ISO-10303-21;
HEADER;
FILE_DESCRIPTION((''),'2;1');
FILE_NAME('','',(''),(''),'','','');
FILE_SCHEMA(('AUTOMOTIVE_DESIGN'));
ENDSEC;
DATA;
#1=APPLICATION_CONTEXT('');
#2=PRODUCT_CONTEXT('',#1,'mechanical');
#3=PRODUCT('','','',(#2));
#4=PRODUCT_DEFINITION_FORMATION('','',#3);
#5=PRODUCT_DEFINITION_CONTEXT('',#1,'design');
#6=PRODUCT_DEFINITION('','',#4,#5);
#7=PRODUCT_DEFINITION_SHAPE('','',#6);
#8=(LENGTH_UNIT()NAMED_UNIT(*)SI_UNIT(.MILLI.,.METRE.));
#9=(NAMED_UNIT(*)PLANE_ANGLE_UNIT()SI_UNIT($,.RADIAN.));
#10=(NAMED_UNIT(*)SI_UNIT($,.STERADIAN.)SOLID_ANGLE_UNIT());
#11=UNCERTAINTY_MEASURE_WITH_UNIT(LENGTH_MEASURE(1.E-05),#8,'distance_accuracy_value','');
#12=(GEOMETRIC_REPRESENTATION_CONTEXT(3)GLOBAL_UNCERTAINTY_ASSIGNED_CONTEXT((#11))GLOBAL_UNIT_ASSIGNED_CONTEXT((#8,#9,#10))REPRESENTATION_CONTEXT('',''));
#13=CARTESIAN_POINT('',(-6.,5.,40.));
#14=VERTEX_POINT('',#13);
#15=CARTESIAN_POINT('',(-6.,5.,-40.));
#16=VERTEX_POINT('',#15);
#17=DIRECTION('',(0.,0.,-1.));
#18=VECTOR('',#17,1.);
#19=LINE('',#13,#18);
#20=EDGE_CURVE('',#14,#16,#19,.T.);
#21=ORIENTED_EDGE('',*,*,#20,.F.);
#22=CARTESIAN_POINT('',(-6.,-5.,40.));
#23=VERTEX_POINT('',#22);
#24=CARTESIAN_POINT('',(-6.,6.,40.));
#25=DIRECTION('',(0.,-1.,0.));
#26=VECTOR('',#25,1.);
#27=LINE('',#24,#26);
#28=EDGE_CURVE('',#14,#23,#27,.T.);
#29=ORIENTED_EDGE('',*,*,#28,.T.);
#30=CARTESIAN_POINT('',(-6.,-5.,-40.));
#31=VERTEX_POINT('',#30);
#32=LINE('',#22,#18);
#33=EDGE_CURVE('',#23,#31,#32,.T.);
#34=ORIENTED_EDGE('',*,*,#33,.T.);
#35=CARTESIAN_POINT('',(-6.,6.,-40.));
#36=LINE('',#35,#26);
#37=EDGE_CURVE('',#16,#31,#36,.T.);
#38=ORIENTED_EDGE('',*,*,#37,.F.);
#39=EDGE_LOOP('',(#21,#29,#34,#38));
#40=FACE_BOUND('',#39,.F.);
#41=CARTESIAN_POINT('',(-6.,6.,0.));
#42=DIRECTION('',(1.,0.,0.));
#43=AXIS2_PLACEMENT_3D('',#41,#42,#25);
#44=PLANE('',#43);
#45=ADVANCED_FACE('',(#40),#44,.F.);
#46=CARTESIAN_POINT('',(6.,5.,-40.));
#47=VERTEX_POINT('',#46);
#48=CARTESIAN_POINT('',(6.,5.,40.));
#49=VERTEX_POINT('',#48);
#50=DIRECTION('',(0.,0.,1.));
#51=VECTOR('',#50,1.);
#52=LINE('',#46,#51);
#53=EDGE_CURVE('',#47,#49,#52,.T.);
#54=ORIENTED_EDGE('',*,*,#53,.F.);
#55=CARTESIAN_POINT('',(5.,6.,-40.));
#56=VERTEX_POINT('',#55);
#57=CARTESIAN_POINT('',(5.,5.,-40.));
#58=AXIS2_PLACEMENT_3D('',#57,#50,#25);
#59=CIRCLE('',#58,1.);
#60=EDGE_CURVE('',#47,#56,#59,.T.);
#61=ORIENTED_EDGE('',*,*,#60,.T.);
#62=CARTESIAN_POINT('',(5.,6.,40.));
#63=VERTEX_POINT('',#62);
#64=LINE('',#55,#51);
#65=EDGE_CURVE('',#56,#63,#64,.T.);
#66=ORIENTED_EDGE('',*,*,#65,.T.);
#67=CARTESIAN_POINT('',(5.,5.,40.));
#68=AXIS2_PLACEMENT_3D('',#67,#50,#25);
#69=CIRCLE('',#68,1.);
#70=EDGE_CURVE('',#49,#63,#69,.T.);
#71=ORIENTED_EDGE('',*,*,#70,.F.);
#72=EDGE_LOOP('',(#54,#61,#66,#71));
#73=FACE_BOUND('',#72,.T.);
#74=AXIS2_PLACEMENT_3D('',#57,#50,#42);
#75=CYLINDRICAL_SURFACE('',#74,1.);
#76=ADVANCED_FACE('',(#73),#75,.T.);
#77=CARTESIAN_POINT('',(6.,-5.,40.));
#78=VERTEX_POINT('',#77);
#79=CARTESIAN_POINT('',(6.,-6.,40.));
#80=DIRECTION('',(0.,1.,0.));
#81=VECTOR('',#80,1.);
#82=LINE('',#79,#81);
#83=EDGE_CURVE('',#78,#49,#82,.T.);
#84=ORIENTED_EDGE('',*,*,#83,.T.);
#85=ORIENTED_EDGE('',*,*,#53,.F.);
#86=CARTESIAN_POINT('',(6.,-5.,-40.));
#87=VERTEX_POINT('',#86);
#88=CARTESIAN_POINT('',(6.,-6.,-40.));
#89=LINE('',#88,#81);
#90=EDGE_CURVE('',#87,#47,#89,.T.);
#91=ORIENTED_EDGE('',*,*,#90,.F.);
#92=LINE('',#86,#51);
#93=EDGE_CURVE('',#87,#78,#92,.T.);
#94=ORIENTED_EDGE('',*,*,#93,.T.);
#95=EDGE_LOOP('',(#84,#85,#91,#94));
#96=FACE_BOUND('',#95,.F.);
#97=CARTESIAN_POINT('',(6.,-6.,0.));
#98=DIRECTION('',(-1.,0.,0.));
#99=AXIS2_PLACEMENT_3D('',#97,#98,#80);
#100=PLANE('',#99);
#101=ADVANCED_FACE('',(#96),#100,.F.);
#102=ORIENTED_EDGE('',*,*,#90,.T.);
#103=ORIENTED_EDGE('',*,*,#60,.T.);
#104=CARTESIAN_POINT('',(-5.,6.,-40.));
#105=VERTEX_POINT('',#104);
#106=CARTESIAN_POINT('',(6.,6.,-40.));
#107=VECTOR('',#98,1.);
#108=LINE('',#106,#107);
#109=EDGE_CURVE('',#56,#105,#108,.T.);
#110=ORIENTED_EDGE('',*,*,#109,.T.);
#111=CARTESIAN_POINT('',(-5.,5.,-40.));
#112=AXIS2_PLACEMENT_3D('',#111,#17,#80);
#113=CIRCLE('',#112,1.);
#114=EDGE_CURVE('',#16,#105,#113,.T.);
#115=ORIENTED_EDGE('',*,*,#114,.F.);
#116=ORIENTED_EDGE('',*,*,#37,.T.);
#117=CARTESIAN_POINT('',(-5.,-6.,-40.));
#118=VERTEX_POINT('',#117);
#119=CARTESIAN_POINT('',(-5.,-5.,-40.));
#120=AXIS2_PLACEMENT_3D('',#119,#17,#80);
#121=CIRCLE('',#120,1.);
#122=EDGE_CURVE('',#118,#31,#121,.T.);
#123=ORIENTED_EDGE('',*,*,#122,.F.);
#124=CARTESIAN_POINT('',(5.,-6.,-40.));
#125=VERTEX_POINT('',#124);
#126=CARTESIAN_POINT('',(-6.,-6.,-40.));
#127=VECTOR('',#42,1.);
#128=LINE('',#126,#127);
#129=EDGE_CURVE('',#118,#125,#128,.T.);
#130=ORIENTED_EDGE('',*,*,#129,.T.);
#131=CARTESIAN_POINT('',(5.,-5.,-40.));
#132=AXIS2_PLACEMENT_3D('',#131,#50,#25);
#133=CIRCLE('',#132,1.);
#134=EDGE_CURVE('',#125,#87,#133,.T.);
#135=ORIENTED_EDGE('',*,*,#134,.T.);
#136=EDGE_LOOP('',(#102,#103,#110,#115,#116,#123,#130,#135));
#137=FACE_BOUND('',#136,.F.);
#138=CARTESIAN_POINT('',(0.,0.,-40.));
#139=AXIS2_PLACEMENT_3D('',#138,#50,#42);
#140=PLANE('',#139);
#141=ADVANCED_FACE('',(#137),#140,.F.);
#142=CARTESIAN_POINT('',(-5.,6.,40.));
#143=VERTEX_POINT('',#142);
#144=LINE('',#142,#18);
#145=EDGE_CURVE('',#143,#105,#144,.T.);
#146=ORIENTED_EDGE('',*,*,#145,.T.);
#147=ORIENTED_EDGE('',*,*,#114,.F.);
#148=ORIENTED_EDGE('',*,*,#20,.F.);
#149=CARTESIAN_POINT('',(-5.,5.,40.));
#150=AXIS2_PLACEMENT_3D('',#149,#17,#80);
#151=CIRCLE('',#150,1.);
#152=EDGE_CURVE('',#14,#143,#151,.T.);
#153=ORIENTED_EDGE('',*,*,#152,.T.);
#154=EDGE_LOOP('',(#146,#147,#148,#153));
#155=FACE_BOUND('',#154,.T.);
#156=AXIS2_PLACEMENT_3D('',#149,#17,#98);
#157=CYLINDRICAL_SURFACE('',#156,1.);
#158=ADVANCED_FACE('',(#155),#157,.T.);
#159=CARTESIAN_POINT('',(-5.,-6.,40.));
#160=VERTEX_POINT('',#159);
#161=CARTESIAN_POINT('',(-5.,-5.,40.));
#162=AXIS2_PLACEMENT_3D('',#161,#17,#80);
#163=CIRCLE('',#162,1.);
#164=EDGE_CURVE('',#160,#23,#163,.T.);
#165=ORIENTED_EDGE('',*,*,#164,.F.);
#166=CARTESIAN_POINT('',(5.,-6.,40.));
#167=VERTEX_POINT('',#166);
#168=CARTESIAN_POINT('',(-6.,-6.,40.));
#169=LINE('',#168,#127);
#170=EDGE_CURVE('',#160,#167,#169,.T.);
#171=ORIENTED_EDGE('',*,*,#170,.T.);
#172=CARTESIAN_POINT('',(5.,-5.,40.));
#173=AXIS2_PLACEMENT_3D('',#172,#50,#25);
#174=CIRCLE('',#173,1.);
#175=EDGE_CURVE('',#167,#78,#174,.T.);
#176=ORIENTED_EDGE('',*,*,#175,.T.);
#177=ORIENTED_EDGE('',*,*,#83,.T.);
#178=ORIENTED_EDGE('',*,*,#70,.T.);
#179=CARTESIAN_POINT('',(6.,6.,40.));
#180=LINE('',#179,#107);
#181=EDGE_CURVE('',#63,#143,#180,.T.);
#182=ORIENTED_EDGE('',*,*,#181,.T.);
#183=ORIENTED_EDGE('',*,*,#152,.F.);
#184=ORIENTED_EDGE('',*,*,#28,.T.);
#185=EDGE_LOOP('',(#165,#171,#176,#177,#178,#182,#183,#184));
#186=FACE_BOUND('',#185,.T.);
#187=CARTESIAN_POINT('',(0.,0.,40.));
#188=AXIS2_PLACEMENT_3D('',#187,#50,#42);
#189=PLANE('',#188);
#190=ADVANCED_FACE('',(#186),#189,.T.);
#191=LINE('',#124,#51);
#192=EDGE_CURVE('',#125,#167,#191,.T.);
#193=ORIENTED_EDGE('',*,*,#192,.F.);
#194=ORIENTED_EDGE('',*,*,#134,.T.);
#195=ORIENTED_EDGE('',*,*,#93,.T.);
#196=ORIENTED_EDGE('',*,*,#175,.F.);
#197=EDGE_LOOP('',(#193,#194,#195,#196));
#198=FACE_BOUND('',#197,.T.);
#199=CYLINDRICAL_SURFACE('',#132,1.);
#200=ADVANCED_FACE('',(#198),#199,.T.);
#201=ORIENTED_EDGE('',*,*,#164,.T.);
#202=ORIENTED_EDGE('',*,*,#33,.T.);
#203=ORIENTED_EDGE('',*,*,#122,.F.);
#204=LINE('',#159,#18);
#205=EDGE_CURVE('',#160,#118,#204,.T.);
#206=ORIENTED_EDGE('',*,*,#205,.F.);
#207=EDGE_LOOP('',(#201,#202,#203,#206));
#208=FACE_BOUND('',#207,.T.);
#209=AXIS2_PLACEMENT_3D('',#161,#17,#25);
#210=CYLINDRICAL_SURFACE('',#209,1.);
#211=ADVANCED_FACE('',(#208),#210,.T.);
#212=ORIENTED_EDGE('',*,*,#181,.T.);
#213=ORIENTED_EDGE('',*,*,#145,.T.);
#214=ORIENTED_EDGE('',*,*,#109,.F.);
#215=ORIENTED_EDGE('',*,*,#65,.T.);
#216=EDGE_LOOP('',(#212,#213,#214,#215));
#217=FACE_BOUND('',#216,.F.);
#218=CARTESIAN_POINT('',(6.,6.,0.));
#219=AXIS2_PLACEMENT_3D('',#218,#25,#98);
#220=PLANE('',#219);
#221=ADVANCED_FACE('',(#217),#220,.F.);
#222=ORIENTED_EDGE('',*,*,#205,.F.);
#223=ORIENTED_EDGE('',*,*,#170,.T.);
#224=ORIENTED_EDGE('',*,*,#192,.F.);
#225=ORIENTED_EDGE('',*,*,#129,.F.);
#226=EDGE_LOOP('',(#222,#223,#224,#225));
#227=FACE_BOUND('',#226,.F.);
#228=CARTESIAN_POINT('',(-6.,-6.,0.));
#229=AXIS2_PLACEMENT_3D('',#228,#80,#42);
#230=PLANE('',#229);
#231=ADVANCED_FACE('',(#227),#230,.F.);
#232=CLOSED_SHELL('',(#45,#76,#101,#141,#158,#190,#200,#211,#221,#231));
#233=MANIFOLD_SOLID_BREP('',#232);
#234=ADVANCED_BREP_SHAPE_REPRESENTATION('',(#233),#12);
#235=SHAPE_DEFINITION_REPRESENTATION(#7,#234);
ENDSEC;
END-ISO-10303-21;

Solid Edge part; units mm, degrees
sketch "Sketch1" plane through (0, 0, 0) normal (0, 0, 1) x (1, 0, 0)
  line L0 (-6, -6) -> (6, -6)
  line L1 (6, -6) -> (6, 6)
  line L2 (6, 6) -> (-6, 6)
  line L3 (-6, 6) -> (-6, -6)
  dimension "D1" = 12
  dimension "D2" = 12
extrude "Protrusion1" add sketch "Sketch1" along normal mid plane 80
fillet "general_round" radius 1 4 edges at (6, -6, 0) (6, 6, 0) (-6, -6, 0) (-6, 6, 0)
properties material "Wood, Oak"
